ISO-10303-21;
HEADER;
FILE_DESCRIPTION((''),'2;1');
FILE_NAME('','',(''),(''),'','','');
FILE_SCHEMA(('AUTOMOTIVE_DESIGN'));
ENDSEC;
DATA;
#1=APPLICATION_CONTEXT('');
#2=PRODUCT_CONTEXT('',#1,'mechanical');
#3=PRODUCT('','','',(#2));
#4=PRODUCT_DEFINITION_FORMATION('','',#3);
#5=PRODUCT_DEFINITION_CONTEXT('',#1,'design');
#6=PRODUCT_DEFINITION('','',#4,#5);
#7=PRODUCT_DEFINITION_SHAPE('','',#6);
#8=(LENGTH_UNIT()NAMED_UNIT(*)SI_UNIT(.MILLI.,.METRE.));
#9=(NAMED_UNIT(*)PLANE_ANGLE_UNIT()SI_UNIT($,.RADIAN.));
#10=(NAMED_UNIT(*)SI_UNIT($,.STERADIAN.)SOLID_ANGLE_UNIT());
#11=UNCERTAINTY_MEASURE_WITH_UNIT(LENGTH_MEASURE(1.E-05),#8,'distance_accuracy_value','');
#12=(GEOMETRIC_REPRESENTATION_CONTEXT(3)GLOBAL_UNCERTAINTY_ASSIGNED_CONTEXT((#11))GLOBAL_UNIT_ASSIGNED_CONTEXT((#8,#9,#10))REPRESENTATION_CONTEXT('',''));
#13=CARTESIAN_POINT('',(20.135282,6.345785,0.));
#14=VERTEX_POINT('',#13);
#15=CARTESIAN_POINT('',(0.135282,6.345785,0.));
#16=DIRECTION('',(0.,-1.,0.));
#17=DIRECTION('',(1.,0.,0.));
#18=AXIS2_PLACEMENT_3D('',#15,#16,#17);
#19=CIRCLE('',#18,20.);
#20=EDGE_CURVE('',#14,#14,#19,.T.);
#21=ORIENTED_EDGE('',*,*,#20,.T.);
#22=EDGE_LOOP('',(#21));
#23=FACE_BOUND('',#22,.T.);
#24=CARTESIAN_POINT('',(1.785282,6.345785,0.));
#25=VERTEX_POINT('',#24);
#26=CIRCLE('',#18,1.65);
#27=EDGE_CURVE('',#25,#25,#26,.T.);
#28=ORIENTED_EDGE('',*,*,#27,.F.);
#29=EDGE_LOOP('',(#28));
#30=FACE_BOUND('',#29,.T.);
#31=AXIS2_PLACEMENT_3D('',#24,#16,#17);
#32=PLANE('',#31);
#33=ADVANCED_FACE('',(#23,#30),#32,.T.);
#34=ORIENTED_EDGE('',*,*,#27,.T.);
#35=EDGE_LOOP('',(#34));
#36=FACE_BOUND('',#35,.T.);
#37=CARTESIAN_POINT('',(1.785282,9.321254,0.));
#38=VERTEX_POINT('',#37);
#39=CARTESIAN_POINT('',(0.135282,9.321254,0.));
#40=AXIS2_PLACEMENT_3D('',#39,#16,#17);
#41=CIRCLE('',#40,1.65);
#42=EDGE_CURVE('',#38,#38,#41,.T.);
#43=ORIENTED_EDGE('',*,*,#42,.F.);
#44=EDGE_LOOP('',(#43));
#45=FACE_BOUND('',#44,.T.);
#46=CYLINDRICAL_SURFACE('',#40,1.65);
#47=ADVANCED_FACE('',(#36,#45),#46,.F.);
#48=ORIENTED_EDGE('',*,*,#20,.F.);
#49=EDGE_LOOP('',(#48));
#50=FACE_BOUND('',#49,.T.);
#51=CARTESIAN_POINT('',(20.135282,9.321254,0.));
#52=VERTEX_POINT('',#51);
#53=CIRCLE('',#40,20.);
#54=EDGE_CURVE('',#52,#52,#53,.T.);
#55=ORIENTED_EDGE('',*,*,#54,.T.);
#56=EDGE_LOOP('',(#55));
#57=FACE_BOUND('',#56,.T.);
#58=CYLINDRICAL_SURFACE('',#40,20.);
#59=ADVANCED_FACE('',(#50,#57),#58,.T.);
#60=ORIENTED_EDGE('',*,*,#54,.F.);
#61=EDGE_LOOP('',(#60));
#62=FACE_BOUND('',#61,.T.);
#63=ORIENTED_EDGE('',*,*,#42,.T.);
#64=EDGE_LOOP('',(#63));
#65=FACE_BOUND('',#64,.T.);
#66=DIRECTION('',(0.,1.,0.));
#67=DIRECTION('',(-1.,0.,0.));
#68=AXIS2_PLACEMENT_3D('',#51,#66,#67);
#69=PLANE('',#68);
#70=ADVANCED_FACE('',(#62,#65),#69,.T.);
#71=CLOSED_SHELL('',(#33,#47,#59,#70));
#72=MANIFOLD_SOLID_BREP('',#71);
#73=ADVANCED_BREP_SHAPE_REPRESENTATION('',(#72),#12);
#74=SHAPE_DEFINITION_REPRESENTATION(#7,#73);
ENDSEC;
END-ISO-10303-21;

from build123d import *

# Parameters (mm, degrees)
SKETCH1_W = 18.35
SKETCH1_H = 2.975469228


with BuildPart() as part:
    # Sketch1 → Revolve1 (revolve)
    with BuildSketch(Plane.XY):
        with Locations((10.960281537, 7.833519813)):
            Rectangle(SKETCH1_W, SKETCH1_H)
    revolve(axis=Axis((0.135281537, 9.321254427, 0), (0, -1, 0)))


solid = part.part
